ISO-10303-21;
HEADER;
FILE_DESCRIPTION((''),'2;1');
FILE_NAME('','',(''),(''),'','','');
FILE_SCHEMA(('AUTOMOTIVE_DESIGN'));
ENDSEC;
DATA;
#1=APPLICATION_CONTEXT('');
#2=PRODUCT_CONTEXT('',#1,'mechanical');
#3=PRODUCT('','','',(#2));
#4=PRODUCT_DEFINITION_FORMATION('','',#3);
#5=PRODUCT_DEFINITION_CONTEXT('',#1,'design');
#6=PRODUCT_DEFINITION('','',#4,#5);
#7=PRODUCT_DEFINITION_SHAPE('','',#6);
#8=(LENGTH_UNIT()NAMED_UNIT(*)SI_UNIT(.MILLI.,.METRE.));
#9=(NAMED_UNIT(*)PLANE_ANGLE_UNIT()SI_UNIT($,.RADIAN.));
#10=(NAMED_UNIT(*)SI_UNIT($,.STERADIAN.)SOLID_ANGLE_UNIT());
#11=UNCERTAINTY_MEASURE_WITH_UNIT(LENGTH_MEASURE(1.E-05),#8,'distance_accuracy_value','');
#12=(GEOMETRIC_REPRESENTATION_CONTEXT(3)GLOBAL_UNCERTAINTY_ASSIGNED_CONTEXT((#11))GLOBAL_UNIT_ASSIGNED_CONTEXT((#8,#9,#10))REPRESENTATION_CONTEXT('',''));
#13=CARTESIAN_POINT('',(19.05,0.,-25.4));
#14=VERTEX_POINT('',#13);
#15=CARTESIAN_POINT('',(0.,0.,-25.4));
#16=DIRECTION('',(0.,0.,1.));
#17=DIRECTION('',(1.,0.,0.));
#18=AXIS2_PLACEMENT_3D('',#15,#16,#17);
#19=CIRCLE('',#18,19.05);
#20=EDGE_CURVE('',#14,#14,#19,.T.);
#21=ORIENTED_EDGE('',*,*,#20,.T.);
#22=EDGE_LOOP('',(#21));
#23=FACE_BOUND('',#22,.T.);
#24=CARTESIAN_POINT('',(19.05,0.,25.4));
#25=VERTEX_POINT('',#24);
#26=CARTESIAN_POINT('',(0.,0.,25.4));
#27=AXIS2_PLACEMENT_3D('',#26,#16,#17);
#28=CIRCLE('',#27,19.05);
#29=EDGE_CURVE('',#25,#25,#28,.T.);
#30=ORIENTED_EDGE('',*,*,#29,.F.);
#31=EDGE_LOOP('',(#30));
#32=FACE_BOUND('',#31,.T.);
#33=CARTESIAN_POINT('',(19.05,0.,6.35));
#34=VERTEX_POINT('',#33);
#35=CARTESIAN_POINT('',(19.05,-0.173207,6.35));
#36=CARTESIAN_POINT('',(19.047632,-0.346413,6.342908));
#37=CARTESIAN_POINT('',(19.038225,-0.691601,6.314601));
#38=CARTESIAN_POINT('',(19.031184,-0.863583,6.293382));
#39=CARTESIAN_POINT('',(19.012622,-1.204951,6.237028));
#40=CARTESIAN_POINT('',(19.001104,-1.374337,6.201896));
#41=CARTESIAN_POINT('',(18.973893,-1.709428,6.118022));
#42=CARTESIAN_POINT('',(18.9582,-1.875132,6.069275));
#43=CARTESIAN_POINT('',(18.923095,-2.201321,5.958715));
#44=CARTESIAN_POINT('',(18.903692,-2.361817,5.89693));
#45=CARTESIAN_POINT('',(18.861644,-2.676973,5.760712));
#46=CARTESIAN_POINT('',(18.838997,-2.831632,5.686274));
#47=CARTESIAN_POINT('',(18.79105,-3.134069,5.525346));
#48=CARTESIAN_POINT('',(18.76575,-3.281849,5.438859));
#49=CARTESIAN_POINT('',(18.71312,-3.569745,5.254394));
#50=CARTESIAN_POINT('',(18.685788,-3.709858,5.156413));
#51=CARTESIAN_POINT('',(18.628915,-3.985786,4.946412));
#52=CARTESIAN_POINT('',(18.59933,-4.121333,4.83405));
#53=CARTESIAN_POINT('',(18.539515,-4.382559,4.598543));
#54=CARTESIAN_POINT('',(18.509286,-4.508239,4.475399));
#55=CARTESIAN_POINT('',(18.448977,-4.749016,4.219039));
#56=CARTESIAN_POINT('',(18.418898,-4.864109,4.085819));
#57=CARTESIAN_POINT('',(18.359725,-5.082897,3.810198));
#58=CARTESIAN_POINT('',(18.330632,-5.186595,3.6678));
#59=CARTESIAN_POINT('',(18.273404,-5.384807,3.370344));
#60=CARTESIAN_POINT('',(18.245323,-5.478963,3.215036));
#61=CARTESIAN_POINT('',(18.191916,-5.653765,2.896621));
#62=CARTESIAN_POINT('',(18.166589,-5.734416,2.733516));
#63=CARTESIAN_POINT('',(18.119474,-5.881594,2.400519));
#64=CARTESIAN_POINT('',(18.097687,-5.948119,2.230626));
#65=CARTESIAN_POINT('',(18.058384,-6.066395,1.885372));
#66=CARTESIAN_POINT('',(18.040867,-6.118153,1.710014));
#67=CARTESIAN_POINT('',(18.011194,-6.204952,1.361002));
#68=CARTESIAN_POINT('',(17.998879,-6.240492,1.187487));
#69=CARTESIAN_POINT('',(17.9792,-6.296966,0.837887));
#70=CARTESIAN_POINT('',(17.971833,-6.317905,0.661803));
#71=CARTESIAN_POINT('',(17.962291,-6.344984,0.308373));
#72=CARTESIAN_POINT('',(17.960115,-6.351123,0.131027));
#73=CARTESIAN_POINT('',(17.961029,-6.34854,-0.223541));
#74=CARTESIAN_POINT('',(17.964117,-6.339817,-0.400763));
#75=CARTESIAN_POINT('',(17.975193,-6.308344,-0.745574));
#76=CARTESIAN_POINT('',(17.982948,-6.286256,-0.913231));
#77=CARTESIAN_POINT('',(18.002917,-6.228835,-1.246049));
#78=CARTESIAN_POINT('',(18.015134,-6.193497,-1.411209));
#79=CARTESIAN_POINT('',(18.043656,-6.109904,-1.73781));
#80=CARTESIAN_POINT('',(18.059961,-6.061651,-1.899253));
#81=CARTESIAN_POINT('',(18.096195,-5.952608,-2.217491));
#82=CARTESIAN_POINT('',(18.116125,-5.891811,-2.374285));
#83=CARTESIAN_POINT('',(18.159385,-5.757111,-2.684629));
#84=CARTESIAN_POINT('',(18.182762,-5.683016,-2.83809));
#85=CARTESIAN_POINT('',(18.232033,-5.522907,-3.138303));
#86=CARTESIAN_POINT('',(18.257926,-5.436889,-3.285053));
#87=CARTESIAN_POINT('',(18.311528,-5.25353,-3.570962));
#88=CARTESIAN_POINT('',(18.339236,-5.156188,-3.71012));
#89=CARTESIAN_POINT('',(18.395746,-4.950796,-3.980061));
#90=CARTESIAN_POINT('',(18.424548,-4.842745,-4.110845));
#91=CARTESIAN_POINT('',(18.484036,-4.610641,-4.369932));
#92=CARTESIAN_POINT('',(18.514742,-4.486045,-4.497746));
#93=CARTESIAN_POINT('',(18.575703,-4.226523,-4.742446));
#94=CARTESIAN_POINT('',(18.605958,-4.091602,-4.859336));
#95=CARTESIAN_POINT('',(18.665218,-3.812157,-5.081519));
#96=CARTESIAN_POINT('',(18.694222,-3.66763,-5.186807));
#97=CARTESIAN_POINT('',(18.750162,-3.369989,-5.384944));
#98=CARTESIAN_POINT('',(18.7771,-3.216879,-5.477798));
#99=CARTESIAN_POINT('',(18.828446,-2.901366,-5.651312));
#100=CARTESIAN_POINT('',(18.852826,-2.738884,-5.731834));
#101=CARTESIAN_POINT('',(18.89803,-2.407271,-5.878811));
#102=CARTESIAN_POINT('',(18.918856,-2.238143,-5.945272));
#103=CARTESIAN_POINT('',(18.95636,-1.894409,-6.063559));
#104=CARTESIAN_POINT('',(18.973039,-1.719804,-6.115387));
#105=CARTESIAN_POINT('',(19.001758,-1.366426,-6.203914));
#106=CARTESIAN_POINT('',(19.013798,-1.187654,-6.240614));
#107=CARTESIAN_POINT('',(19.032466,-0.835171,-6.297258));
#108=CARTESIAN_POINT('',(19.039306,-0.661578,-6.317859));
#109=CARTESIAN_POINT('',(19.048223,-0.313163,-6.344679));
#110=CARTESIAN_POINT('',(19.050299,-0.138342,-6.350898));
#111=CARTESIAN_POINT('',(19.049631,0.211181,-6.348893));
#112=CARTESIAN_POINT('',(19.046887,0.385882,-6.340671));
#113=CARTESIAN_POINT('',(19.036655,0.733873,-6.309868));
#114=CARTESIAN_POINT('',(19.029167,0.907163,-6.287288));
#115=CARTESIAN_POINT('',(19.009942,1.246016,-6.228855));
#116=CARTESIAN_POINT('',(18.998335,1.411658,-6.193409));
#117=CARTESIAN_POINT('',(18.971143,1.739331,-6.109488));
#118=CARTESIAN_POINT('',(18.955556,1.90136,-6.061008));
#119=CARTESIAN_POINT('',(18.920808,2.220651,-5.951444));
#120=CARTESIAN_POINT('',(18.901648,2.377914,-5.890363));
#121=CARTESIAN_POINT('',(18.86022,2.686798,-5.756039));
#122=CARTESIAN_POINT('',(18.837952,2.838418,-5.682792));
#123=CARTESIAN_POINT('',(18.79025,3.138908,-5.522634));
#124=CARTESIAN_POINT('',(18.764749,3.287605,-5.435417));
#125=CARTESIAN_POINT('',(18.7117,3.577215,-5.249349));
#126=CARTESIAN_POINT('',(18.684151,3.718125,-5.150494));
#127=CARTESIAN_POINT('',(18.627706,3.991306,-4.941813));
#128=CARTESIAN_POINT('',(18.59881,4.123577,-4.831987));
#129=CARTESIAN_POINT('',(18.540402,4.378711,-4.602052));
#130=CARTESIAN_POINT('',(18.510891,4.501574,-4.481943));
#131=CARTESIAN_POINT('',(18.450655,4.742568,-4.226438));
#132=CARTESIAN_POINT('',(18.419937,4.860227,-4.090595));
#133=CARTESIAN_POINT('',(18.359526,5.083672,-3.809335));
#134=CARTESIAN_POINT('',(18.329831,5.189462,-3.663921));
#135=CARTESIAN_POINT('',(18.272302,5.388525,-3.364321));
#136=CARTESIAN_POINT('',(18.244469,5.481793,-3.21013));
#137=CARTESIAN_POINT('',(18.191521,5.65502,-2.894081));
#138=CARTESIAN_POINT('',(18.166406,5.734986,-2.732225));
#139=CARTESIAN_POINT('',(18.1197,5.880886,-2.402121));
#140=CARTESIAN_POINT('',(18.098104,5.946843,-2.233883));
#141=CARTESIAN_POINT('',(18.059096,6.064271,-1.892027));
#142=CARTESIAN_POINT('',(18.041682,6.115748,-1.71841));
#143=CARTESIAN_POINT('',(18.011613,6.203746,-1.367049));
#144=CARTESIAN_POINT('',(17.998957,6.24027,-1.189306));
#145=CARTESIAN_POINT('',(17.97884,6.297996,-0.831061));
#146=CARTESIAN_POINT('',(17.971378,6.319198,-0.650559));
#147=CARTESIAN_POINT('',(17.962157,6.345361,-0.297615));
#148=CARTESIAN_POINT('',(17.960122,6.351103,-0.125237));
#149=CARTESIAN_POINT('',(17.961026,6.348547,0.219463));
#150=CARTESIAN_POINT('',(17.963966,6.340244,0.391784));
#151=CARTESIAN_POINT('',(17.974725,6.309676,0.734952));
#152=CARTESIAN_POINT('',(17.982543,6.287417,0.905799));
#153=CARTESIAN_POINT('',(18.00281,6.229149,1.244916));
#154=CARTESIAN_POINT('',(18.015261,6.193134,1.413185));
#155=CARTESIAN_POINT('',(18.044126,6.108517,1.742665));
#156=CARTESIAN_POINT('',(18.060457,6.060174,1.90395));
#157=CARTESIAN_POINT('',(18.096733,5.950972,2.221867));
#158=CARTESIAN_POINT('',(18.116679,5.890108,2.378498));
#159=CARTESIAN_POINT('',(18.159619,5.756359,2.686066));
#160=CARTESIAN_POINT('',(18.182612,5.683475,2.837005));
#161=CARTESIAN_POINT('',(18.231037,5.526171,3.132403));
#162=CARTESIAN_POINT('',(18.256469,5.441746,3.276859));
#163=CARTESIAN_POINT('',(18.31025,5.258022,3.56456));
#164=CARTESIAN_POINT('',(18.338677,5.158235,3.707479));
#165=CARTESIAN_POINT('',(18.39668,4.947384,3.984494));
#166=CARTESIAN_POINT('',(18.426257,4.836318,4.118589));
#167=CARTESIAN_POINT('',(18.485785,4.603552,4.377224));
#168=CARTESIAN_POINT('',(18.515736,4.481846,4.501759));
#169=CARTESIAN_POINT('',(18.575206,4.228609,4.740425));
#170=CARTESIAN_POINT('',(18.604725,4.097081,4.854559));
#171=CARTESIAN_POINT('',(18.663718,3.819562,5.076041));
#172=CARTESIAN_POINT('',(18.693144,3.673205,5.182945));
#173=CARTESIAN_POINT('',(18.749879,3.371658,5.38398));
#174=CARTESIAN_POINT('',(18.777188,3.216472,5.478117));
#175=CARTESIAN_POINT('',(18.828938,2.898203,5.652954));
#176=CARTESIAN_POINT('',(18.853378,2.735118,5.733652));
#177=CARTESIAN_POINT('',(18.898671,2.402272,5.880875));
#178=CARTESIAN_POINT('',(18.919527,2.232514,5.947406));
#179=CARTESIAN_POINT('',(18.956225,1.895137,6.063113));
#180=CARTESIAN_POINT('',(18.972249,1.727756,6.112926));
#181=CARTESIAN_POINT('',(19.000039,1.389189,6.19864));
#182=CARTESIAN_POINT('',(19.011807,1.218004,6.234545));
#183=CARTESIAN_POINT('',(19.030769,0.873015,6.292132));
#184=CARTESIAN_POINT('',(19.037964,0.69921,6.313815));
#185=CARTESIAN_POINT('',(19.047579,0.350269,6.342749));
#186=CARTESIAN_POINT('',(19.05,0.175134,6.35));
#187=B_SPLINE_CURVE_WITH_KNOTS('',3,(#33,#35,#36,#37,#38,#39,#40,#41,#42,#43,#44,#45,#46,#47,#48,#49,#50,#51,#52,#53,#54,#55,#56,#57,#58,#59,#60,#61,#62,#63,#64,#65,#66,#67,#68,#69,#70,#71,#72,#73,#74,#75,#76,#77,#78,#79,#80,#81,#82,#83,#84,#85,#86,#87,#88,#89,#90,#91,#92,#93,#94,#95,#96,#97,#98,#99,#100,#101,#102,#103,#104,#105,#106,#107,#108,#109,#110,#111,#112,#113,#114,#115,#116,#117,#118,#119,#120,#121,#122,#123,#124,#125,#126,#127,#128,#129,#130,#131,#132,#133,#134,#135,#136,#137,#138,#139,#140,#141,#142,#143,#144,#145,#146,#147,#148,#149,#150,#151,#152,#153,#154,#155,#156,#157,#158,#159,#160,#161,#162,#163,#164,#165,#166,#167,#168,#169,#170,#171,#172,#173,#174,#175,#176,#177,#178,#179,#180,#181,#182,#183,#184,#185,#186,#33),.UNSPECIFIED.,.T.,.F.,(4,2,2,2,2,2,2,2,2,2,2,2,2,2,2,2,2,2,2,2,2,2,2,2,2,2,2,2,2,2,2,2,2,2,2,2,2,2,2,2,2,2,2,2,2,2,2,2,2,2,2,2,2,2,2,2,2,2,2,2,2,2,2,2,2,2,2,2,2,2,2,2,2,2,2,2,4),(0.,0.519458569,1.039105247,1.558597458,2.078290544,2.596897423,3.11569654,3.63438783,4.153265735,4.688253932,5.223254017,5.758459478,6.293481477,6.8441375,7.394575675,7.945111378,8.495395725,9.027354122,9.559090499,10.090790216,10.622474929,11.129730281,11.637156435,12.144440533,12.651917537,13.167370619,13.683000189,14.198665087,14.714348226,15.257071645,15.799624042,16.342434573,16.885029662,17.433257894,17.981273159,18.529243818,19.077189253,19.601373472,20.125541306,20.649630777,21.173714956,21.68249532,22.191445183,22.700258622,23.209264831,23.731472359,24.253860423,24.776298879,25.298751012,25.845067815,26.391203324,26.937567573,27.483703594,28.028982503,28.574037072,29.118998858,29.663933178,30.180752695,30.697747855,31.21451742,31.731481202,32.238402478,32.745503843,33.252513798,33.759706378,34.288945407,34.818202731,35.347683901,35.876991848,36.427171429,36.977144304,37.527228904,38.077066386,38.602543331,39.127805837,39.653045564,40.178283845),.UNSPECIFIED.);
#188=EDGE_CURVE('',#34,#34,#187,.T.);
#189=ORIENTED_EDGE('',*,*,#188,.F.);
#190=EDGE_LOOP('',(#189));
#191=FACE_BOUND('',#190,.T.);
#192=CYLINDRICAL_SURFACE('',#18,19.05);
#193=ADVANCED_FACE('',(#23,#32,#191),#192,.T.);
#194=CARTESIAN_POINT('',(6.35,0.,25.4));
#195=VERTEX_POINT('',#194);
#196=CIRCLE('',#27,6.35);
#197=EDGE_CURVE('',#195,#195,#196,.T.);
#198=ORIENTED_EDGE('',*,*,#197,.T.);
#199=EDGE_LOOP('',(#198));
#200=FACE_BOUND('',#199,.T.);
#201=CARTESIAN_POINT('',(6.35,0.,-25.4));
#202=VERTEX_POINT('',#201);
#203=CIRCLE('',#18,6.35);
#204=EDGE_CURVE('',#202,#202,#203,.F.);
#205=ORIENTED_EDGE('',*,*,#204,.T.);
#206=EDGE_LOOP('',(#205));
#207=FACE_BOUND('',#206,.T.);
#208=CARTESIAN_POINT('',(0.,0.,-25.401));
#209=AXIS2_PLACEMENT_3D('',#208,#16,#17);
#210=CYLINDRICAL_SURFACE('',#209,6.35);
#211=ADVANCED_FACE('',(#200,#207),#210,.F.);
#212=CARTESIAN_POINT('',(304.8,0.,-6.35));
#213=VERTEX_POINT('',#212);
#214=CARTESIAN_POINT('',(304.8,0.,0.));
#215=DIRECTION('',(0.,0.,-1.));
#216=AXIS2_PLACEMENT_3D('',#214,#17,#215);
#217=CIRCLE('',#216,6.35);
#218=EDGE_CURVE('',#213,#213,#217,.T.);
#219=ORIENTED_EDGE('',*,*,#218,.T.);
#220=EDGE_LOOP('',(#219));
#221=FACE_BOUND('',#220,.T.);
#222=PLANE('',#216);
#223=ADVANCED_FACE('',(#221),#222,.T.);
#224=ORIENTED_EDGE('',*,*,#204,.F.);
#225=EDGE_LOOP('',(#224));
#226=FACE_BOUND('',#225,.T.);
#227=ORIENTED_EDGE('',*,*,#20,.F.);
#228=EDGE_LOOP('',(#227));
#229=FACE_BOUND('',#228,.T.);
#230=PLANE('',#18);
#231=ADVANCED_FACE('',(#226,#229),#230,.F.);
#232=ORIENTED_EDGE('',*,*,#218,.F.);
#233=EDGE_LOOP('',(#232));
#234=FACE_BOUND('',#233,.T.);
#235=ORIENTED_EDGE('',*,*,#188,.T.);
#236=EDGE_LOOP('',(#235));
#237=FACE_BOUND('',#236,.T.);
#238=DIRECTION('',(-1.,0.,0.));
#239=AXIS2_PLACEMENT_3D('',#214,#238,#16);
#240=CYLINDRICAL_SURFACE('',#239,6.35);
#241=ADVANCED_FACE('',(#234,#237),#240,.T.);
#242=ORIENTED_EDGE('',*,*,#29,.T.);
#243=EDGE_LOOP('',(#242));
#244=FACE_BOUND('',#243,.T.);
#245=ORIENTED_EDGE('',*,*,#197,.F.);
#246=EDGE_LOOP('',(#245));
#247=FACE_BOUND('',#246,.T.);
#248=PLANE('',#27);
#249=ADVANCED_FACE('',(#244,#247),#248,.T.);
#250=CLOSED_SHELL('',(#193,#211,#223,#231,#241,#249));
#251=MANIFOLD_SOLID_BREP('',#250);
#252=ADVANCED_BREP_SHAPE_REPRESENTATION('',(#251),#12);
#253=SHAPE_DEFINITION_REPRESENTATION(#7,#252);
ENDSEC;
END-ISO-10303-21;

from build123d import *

# Parameters (mm, degrees)
SKETCH1_R                = 6.35
BOSS_EXTRUDE1_DEPTH      = 304.8
BOSS_EXTRUDE2_DEPTH      = 25.4
BOSS_EXTRUDE2_DEPTH_BACK = 25.4
SKETCH2_R                = 19.05
CUT_EXTRUDE1_REACH       = 311.591
SKETCH3_R                = 6.35


with BuildPart() as part:
    # Sketch1 → Boss-Extrude1 (new body)
    with BuildSketch(Plane(origin=(0, 0, 0), x_dir=(0, 0, -1), z_dir=(1, 0, 0))):
        Circle(SKETCH1_R)
    extrude(amount=BOSS_EXTRUDE1_DEPTH)

    # Sketch2 → Boss-Extrude2 (add, two sides: drawn at the far end of the back side and taken through both)
    with BuildSketch(Plane.XY.offset(-BOSS_EXTRUDE2_DEPTH_BACK)):
        Circle(SKETCH2_R)
    extrude(amount=BOSS_EXTRUDE2_DEPTH + BOSS_EXTRUDE2_DEPTH_BACK)

    # Sketch3 → Cut-Extrude1 (cut, up to next)
    with BuildSketch(Plane.XY.offset(25.4), mode=Mode.PRIVATE) as cut_extrude1_sk1:
        Circle(SKETCH3_R)
    cut_extrude1_tool1 = extrude(cut_extrude1_sk1.sketch, amount=-CUT_EXTRUDE1_REACH, mode=Mode.PRIVATE) & part.part
    add(cut_extrude1_tool1.solids().sort_by_distance((0, 0, 25.4))[0], mode=Mode.SUBTRACT)


solid = part.part
